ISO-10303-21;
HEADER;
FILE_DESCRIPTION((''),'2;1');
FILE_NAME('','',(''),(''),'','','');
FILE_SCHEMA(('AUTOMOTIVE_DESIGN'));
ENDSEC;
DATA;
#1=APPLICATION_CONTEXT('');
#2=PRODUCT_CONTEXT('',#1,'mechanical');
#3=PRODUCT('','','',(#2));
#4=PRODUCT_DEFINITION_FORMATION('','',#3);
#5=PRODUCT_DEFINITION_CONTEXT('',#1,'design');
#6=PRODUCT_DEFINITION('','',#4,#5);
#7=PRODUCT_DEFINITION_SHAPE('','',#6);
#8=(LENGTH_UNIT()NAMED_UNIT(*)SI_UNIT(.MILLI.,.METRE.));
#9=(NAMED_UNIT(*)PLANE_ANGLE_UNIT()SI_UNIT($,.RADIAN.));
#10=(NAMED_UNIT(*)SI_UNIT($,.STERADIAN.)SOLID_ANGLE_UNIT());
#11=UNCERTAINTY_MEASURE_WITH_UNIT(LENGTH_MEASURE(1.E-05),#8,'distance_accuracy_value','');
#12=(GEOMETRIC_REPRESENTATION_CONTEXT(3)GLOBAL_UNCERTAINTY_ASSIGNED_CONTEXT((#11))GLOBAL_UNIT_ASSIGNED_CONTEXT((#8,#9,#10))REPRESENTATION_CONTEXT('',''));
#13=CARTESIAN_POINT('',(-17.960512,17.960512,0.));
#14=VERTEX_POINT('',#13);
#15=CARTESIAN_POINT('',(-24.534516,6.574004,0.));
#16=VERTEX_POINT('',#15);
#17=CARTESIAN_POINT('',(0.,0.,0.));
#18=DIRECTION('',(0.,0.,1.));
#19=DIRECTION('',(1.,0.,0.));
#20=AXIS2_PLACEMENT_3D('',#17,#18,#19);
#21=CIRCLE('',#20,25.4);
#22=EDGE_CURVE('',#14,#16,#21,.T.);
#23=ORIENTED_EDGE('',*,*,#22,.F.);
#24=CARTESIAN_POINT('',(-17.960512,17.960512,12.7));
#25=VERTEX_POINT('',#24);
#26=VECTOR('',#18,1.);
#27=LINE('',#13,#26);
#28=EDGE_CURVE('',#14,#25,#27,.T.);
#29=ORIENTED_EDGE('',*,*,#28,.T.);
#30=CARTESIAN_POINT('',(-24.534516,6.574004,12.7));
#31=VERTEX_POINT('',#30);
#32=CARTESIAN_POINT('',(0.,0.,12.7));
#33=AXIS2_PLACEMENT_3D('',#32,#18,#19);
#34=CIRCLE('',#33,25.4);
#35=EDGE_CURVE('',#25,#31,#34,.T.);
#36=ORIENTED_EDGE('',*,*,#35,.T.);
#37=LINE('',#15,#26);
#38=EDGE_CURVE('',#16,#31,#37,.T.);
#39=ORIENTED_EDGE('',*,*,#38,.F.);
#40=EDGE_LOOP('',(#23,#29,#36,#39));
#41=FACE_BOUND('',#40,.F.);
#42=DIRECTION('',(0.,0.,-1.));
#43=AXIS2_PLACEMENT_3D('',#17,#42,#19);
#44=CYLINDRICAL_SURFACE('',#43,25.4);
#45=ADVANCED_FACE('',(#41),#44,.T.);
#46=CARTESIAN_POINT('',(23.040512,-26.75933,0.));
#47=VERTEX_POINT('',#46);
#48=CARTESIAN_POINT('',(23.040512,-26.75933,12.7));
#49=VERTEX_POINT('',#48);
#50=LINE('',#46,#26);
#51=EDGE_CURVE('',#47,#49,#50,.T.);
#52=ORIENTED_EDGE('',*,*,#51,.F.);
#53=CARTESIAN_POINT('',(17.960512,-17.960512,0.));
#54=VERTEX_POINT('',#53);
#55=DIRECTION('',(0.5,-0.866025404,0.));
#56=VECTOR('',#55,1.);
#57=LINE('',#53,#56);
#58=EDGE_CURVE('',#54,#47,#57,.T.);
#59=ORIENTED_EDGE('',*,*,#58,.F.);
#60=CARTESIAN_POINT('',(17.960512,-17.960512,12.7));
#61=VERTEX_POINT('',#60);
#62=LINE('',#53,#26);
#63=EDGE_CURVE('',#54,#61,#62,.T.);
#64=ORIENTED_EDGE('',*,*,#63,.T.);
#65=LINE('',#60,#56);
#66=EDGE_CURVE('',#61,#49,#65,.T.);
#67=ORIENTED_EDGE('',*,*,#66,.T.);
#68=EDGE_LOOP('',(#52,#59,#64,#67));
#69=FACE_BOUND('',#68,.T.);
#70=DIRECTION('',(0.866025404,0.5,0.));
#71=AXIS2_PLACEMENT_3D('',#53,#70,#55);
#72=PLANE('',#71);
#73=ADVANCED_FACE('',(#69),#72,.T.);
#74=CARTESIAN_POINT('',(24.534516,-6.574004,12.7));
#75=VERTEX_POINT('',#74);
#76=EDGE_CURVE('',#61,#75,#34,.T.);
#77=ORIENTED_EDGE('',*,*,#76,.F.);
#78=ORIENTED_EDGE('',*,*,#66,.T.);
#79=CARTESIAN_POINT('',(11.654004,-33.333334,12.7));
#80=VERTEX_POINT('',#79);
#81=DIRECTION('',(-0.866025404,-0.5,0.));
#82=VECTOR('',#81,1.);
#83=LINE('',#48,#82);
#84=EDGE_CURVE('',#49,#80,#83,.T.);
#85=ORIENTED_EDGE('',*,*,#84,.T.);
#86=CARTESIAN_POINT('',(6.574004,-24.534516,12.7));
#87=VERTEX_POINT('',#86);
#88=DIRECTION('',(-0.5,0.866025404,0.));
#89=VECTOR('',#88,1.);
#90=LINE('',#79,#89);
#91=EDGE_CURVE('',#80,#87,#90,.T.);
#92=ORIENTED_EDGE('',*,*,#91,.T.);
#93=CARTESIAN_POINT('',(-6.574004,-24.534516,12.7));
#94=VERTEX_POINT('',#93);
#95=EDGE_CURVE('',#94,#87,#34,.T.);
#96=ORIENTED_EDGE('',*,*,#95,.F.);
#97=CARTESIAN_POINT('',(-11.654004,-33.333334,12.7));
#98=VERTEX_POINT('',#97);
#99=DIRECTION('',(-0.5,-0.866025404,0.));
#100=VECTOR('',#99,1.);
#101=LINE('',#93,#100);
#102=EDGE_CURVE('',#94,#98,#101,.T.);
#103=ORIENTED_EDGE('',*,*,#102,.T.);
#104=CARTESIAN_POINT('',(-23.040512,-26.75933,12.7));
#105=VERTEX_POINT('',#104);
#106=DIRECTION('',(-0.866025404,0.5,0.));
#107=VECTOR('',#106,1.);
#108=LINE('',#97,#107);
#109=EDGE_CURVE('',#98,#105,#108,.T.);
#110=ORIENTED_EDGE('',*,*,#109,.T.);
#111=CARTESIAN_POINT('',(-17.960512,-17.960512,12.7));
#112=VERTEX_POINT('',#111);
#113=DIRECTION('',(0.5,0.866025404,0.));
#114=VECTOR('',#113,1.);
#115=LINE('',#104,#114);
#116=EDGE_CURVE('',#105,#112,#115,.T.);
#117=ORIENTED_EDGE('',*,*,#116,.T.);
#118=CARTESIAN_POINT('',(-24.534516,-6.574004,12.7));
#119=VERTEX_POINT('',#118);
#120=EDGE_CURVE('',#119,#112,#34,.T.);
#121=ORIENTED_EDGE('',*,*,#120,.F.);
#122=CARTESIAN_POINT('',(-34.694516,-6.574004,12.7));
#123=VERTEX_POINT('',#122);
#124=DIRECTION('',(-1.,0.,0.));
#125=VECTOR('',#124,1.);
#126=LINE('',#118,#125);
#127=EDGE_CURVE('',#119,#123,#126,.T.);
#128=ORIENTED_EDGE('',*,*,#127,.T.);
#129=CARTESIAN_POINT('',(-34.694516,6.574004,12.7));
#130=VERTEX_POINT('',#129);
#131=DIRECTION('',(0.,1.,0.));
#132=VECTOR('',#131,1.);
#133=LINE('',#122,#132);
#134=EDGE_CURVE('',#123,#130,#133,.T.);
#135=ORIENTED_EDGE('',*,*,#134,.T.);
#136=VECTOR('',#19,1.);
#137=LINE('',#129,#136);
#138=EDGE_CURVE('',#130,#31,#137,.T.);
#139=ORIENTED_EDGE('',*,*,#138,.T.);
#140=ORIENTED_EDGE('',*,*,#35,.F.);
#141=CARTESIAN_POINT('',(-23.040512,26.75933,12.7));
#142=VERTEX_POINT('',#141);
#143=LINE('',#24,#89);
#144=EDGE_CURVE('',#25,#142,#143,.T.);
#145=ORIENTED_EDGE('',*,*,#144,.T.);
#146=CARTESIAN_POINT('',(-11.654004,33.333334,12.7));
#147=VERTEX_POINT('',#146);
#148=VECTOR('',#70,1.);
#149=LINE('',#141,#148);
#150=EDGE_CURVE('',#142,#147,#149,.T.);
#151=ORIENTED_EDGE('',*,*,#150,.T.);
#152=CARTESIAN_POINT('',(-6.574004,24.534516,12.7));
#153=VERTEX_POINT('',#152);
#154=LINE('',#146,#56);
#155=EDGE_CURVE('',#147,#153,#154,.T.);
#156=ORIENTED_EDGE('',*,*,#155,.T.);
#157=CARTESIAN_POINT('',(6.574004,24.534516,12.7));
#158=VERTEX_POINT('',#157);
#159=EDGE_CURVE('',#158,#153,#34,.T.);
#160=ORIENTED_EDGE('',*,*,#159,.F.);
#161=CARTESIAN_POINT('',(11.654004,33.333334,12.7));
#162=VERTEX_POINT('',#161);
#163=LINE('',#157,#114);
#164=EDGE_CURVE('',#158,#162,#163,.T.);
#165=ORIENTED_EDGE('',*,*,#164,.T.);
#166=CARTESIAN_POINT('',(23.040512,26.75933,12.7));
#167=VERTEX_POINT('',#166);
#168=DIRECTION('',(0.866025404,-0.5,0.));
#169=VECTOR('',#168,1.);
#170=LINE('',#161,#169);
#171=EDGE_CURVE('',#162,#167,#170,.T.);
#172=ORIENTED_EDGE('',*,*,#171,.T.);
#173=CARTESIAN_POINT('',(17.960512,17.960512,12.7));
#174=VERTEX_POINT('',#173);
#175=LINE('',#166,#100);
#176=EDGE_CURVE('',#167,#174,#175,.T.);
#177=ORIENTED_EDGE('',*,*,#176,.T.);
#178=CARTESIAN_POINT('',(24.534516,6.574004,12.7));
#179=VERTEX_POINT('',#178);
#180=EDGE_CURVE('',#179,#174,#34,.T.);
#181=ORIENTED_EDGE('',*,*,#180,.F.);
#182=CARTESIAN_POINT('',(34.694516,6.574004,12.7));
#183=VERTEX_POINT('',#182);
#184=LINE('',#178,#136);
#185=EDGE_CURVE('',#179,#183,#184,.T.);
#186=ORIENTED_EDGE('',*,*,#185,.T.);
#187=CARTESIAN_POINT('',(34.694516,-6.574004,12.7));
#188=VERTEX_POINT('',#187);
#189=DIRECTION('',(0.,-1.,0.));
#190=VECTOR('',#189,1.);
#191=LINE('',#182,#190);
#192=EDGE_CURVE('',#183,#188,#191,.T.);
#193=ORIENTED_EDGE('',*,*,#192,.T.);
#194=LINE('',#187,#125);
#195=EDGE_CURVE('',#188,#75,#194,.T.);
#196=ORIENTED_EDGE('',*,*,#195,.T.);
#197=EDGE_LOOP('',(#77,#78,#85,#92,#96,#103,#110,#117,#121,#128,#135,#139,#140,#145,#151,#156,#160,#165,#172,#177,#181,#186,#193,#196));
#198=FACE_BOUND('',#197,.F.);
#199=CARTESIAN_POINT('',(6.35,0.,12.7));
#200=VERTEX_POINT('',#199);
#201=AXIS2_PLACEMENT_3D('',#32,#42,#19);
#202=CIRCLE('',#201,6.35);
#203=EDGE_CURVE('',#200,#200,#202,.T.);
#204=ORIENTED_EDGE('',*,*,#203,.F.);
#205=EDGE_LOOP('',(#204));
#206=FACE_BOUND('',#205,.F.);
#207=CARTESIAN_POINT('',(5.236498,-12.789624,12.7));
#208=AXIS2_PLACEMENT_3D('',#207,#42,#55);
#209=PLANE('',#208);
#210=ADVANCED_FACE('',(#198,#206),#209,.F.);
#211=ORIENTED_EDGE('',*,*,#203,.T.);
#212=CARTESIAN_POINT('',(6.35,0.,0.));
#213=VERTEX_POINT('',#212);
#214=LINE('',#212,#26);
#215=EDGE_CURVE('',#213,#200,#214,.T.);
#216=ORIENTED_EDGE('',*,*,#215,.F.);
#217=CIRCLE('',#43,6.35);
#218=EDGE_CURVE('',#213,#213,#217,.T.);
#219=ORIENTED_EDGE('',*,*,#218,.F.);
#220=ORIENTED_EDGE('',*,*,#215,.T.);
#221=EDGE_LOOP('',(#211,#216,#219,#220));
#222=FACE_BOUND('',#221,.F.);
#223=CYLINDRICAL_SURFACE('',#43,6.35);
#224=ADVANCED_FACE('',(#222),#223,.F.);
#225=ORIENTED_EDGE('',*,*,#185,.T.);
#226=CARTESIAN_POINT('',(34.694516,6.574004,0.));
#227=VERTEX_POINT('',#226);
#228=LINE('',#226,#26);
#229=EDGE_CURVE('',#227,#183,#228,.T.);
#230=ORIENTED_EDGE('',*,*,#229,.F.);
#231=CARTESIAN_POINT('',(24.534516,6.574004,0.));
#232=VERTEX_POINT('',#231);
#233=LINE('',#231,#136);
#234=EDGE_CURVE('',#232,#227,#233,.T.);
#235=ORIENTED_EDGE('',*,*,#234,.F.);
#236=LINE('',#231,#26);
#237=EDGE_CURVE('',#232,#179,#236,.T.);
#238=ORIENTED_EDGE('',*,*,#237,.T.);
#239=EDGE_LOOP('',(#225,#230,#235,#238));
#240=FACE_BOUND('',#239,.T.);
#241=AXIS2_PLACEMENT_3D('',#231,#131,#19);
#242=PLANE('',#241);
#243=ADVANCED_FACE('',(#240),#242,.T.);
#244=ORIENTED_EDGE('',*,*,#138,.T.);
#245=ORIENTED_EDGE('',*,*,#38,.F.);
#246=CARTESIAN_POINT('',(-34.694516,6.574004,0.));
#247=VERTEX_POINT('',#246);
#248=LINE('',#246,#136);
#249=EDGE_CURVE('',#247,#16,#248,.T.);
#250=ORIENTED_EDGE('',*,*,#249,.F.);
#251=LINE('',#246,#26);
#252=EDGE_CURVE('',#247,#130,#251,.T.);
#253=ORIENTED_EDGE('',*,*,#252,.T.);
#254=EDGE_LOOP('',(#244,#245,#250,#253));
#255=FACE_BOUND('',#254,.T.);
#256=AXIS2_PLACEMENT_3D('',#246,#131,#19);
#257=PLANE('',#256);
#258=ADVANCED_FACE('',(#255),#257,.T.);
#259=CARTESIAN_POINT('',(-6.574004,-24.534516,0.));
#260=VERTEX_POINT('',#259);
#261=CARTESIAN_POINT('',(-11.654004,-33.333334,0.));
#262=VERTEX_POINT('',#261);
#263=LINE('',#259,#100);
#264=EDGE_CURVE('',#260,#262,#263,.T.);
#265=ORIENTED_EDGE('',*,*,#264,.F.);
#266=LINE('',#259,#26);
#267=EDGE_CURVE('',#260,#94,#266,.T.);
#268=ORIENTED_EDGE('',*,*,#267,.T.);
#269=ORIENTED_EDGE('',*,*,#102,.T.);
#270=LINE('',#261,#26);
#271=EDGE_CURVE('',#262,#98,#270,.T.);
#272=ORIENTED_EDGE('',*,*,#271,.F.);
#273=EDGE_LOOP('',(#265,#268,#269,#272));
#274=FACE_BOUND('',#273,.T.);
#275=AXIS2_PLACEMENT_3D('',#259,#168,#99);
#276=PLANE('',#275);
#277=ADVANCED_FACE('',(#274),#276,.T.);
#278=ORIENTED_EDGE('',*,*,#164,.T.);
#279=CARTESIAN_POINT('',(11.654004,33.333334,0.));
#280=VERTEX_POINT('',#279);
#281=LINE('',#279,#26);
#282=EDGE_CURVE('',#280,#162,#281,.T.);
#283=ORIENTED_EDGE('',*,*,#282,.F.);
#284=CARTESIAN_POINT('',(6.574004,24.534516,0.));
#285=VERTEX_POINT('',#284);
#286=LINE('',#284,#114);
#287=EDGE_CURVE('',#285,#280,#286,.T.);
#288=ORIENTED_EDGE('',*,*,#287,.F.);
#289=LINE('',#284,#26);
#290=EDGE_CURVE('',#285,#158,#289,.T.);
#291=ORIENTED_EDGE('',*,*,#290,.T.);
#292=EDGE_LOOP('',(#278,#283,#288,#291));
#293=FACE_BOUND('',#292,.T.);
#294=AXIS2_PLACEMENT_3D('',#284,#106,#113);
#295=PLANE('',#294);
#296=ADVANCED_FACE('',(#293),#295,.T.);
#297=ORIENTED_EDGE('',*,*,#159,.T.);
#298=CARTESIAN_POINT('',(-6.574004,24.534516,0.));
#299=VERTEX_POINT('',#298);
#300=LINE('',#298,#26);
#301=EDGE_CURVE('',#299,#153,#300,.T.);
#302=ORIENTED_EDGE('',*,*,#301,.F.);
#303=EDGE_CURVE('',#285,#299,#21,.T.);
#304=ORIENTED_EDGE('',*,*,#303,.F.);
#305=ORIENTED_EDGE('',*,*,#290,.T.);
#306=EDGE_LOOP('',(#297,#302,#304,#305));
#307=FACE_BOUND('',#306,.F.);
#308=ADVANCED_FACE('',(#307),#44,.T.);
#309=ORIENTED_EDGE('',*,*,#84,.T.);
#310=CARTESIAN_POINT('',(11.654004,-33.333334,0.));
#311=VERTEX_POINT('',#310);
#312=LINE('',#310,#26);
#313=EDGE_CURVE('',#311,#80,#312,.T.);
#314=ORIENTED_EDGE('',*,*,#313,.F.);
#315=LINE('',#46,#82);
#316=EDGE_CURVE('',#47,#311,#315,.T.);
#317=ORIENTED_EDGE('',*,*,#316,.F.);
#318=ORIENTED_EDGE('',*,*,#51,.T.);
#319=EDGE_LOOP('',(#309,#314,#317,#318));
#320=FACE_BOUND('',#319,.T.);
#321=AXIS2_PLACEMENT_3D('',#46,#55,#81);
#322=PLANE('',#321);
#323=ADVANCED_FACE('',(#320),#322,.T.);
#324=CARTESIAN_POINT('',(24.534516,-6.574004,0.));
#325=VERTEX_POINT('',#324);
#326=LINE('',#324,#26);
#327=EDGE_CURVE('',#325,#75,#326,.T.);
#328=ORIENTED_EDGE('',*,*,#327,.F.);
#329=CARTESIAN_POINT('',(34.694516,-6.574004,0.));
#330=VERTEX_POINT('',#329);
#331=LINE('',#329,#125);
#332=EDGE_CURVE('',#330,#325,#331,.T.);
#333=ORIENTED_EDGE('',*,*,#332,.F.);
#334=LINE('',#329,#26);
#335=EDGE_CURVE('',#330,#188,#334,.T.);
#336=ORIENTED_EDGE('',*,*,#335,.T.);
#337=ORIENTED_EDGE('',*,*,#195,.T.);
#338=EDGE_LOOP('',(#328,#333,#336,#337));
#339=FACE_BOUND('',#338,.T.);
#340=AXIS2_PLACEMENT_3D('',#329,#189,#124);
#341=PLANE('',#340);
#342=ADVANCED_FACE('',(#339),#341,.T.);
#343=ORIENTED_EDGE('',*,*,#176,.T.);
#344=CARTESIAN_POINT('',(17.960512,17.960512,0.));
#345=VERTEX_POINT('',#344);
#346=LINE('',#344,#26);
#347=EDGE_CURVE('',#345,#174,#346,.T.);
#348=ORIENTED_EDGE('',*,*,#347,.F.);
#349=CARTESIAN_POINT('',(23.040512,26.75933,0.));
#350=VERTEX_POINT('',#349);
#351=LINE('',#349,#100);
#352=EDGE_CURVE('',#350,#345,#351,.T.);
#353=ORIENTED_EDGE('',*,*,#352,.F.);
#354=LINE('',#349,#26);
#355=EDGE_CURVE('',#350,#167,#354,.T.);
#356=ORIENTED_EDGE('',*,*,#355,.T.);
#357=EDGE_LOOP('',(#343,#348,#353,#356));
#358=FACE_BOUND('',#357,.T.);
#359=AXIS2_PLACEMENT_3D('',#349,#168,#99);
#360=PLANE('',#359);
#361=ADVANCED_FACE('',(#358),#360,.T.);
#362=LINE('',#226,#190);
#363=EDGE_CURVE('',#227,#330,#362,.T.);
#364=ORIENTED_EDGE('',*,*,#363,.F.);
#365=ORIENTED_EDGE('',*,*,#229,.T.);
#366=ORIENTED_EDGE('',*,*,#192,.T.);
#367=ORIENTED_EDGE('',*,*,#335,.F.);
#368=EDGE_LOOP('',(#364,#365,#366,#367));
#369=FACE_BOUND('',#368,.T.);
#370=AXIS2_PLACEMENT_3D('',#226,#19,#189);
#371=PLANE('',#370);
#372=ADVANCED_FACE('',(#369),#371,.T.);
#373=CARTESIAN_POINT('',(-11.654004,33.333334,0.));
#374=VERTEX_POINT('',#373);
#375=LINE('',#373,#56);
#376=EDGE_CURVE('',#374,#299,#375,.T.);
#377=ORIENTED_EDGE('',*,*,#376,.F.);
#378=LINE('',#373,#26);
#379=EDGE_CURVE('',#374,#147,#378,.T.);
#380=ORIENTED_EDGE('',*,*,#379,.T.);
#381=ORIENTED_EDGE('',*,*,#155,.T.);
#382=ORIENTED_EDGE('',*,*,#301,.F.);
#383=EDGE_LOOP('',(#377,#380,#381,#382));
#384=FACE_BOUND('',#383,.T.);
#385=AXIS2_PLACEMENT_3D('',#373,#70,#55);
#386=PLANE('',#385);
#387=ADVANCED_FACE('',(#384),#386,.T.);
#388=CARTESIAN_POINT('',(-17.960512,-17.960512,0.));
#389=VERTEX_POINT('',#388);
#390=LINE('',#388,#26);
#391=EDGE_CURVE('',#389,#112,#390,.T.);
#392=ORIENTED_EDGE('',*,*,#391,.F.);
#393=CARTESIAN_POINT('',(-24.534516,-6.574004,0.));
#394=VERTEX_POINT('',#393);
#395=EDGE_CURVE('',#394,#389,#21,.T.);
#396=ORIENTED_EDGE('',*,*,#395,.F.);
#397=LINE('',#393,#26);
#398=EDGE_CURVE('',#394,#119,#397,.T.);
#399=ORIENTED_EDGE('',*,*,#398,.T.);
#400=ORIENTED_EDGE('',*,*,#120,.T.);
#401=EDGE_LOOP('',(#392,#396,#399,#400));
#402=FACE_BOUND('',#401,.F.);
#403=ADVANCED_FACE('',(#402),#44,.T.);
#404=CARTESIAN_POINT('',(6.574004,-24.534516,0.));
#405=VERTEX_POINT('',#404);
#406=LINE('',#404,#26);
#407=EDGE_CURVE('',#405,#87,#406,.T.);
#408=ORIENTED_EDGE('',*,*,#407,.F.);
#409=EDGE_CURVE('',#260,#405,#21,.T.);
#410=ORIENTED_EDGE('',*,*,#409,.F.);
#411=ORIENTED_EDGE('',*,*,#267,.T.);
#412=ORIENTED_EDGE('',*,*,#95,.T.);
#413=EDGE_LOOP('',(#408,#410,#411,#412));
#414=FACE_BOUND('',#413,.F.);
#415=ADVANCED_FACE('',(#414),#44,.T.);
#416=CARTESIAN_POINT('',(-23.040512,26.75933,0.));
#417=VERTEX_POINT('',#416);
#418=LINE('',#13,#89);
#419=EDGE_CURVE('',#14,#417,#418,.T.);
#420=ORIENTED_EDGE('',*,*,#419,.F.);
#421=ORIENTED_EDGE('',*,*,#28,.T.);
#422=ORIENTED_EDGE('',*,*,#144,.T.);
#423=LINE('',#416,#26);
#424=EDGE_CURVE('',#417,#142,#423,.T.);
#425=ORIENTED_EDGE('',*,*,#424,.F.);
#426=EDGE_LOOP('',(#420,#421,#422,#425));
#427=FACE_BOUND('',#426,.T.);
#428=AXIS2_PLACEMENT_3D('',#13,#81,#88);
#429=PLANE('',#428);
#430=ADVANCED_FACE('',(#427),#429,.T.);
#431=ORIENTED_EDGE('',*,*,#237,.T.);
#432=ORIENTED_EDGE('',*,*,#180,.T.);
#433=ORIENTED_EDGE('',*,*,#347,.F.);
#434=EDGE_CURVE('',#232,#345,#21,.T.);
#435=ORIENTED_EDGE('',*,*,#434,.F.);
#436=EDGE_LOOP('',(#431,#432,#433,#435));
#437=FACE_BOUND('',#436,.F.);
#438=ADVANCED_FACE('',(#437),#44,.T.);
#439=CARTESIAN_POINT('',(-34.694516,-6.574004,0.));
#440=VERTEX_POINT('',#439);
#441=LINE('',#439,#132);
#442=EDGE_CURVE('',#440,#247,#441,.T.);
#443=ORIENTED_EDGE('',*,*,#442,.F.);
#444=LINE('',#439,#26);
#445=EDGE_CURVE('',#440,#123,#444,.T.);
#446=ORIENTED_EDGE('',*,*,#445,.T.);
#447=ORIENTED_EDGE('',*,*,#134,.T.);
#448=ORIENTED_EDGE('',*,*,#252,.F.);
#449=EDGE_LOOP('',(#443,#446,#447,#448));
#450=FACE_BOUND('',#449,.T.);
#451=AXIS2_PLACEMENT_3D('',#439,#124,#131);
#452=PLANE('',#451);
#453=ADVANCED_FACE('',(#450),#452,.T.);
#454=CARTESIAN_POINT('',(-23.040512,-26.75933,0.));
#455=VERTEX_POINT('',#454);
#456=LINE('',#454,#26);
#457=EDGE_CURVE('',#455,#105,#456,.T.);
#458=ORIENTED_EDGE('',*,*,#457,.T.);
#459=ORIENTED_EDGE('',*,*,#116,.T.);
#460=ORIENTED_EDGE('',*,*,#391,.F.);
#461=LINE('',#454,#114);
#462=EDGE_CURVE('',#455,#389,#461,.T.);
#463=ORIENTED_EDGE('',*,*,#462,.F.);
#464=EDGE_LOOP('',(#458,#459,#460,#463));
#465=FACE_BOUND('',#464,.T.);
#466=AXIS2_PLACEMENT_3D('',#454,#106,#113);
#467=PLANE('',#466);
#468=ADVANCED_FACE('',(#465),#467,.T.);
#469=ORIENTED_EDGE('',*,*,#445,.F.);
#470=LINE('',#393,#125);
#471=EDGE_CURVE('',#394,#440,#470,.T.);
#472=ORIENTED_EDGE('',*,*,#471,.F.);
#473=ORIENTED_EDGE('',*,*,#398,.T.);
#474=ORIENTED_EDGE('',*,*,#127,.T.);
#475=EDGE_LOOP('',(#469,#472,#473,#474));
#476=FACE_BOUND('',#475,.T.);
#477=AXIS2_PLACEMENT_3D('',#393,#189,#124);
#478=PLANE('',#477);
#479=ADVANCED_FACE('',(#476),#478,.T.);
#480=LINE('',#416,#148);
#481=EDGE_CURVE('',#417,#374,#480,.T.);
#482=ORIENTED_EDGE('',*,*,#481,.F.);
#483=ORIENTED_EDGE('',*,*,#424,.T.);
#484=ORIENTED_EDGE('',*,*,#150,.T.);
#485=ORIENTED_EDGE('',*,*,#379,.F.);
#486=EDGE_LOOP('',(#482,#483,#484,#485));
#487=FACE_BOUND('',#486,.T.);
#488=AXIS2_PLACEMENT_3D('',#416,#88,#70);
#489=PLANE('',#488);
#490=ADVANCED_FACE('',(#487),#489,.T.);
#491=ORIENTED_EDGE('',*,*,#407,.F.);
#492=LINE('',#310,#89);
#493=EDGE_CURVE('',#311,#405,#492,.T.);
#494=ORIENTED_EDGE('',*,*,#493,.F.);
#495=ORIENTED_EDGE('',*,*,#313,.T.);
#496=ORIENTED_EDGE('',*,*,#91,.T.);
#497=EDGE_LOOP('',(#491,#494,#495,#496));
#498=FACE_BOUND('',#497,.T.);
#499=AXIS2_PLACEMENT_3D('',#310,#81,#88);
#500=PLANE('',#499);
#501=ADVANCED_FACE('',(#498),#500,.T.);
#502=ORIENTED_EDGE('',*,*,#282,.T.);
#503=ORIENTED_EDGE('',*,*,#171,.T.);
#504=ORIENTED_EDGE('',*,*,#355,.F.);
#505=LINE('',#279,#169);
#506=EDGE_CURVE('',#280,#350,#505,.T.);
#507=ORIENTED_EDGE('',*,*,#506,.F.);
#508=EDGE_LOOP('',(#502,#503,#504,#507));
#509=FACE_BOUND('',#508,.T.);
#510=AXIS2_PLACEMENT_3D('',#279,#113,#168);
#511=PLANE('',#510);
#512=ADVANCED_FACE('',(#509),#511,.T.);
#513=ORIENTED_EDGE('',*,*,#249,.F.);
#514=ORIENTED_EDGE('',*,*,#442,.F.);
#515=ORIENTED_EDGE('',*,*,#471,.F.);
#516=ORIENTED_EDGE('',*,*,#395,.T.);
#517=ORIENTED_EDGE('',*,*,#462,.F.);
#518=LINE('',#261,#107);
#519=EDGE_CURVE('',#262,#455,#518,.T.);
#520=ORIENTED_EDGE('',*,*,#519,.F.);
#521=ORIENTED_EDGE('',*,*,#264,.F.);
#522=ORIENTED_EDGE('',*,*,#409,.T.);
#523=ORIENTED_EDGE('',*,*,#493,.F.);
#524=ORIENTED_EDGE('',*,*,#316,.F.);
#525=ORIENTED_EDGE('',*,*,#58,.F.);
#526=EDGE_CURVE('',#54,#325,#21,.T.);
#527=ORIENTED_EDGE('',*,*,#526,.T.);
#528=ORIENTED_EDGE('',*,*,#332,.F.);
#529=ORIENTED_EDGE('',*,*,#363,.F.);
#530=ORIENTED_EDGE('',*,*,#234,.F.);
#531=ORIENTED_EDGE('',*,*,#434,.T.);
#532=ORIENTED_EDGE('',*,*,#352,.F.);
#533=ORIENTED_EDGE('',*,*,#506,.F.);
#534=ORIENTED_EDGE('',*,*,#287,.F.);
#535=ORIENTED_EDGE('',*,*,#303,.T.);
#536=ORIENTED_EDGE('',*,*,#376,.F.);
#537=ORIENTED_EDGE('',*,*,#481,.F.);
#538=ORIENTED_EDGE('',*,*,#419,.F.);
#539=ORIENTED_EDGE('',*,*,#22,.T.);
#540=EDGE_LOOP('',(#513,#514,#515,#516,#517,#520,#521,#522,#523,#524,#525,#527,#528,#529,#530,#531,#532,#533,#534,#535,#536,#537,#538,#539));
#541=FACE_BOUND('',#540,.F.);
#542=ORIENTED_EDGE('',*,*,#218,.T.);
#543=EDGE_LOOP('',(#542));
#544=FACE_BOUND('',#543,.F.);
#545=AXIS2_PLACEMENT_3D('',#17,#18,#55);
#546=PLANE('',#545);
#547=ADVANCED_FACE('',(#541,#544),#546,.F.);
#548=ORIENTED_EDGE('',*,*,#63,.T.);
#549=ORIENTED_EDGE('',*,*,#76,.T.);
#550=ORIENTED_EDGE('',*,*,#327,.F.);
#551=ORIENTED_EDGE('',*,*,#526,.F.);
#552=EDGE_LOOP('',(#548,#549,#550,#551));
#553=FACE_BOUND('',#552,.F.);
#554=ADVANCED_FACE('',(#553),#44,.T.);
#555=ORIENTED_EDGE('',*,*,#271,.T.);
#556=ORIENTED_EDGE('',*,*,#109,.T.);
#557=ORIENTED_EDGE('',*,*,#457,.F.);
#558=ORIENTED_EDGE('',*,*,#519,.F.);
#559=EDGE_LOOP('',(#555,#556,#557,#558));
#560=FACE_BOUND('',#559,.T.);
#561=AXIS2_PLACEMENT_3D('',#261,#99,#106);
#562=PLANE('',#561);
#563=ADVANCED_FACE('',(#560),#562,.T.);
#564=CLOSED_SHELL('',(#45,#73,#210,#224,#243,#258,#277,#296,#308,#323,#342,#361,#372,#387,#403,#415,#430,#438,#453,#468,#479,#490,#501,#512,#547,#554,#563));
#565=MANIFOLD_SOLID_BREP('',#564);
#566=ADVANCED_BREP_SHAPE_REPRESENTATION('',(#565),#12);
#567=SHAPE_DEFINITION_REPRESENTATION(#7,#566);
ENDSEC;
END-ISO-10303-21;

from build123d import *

# Parameters (mm, degrees)
F0_R     = 25.4
F1_DEPTH = 12.7
F3_DEPTH = 12.7
F5_COUNT = 6
F6_R     = 6.35
F7_DEPTH = 25.4


with BuildPart() as f1:
    # F0 (on Top) → F1 (new body)
    with BuildSketch(Plane.XY):
        Circle(F0_R)
    extrude(amount=F1_DEPTH)

    # F2 (on face) → F3 (join)
    with BuildSketch(Plane(origin=(0, 0, 0), x_dir=(1, 0, 0), z_dir=(0, 0, -1))):
        Polygon((24.534516, 6.574004), (0, 0), (24.534516, 0), align=None)
        Polygon((24.534516, 0), (0, 0), (24.534516, -6.574004), align=None)
        Polygon((24.534516, 6.574004), (24.534516, 0), (24.534516, -6.574004), (34.694516, -6.574004), (34.694516, 6.574004), align=None)
    extrude(amount=-F3_DEPTH)

    # F5: F1 ×6 about axis
    f5_axis = Axis((0, 0, 30.548431), (0, 0, 1))


with BuildPart() as f1_1:
    add(f1.part)
    for i in range(1, F5_COUNT):
        add(f1.part.rotate(f5_axis, i * 360 / F5_COUNT))

    # F6 (on face) → F7 (cut)
    with BuildSketch(Plane(origin=(0, 0, 0), x_dir=(1, 0, 0), z_dir=(0, 0, -1))):
        Circle(F6_R)
    extrude(amount=-F7_DEPTH, mode=Mode.SUBTRACT)


solid = f1_1.part
